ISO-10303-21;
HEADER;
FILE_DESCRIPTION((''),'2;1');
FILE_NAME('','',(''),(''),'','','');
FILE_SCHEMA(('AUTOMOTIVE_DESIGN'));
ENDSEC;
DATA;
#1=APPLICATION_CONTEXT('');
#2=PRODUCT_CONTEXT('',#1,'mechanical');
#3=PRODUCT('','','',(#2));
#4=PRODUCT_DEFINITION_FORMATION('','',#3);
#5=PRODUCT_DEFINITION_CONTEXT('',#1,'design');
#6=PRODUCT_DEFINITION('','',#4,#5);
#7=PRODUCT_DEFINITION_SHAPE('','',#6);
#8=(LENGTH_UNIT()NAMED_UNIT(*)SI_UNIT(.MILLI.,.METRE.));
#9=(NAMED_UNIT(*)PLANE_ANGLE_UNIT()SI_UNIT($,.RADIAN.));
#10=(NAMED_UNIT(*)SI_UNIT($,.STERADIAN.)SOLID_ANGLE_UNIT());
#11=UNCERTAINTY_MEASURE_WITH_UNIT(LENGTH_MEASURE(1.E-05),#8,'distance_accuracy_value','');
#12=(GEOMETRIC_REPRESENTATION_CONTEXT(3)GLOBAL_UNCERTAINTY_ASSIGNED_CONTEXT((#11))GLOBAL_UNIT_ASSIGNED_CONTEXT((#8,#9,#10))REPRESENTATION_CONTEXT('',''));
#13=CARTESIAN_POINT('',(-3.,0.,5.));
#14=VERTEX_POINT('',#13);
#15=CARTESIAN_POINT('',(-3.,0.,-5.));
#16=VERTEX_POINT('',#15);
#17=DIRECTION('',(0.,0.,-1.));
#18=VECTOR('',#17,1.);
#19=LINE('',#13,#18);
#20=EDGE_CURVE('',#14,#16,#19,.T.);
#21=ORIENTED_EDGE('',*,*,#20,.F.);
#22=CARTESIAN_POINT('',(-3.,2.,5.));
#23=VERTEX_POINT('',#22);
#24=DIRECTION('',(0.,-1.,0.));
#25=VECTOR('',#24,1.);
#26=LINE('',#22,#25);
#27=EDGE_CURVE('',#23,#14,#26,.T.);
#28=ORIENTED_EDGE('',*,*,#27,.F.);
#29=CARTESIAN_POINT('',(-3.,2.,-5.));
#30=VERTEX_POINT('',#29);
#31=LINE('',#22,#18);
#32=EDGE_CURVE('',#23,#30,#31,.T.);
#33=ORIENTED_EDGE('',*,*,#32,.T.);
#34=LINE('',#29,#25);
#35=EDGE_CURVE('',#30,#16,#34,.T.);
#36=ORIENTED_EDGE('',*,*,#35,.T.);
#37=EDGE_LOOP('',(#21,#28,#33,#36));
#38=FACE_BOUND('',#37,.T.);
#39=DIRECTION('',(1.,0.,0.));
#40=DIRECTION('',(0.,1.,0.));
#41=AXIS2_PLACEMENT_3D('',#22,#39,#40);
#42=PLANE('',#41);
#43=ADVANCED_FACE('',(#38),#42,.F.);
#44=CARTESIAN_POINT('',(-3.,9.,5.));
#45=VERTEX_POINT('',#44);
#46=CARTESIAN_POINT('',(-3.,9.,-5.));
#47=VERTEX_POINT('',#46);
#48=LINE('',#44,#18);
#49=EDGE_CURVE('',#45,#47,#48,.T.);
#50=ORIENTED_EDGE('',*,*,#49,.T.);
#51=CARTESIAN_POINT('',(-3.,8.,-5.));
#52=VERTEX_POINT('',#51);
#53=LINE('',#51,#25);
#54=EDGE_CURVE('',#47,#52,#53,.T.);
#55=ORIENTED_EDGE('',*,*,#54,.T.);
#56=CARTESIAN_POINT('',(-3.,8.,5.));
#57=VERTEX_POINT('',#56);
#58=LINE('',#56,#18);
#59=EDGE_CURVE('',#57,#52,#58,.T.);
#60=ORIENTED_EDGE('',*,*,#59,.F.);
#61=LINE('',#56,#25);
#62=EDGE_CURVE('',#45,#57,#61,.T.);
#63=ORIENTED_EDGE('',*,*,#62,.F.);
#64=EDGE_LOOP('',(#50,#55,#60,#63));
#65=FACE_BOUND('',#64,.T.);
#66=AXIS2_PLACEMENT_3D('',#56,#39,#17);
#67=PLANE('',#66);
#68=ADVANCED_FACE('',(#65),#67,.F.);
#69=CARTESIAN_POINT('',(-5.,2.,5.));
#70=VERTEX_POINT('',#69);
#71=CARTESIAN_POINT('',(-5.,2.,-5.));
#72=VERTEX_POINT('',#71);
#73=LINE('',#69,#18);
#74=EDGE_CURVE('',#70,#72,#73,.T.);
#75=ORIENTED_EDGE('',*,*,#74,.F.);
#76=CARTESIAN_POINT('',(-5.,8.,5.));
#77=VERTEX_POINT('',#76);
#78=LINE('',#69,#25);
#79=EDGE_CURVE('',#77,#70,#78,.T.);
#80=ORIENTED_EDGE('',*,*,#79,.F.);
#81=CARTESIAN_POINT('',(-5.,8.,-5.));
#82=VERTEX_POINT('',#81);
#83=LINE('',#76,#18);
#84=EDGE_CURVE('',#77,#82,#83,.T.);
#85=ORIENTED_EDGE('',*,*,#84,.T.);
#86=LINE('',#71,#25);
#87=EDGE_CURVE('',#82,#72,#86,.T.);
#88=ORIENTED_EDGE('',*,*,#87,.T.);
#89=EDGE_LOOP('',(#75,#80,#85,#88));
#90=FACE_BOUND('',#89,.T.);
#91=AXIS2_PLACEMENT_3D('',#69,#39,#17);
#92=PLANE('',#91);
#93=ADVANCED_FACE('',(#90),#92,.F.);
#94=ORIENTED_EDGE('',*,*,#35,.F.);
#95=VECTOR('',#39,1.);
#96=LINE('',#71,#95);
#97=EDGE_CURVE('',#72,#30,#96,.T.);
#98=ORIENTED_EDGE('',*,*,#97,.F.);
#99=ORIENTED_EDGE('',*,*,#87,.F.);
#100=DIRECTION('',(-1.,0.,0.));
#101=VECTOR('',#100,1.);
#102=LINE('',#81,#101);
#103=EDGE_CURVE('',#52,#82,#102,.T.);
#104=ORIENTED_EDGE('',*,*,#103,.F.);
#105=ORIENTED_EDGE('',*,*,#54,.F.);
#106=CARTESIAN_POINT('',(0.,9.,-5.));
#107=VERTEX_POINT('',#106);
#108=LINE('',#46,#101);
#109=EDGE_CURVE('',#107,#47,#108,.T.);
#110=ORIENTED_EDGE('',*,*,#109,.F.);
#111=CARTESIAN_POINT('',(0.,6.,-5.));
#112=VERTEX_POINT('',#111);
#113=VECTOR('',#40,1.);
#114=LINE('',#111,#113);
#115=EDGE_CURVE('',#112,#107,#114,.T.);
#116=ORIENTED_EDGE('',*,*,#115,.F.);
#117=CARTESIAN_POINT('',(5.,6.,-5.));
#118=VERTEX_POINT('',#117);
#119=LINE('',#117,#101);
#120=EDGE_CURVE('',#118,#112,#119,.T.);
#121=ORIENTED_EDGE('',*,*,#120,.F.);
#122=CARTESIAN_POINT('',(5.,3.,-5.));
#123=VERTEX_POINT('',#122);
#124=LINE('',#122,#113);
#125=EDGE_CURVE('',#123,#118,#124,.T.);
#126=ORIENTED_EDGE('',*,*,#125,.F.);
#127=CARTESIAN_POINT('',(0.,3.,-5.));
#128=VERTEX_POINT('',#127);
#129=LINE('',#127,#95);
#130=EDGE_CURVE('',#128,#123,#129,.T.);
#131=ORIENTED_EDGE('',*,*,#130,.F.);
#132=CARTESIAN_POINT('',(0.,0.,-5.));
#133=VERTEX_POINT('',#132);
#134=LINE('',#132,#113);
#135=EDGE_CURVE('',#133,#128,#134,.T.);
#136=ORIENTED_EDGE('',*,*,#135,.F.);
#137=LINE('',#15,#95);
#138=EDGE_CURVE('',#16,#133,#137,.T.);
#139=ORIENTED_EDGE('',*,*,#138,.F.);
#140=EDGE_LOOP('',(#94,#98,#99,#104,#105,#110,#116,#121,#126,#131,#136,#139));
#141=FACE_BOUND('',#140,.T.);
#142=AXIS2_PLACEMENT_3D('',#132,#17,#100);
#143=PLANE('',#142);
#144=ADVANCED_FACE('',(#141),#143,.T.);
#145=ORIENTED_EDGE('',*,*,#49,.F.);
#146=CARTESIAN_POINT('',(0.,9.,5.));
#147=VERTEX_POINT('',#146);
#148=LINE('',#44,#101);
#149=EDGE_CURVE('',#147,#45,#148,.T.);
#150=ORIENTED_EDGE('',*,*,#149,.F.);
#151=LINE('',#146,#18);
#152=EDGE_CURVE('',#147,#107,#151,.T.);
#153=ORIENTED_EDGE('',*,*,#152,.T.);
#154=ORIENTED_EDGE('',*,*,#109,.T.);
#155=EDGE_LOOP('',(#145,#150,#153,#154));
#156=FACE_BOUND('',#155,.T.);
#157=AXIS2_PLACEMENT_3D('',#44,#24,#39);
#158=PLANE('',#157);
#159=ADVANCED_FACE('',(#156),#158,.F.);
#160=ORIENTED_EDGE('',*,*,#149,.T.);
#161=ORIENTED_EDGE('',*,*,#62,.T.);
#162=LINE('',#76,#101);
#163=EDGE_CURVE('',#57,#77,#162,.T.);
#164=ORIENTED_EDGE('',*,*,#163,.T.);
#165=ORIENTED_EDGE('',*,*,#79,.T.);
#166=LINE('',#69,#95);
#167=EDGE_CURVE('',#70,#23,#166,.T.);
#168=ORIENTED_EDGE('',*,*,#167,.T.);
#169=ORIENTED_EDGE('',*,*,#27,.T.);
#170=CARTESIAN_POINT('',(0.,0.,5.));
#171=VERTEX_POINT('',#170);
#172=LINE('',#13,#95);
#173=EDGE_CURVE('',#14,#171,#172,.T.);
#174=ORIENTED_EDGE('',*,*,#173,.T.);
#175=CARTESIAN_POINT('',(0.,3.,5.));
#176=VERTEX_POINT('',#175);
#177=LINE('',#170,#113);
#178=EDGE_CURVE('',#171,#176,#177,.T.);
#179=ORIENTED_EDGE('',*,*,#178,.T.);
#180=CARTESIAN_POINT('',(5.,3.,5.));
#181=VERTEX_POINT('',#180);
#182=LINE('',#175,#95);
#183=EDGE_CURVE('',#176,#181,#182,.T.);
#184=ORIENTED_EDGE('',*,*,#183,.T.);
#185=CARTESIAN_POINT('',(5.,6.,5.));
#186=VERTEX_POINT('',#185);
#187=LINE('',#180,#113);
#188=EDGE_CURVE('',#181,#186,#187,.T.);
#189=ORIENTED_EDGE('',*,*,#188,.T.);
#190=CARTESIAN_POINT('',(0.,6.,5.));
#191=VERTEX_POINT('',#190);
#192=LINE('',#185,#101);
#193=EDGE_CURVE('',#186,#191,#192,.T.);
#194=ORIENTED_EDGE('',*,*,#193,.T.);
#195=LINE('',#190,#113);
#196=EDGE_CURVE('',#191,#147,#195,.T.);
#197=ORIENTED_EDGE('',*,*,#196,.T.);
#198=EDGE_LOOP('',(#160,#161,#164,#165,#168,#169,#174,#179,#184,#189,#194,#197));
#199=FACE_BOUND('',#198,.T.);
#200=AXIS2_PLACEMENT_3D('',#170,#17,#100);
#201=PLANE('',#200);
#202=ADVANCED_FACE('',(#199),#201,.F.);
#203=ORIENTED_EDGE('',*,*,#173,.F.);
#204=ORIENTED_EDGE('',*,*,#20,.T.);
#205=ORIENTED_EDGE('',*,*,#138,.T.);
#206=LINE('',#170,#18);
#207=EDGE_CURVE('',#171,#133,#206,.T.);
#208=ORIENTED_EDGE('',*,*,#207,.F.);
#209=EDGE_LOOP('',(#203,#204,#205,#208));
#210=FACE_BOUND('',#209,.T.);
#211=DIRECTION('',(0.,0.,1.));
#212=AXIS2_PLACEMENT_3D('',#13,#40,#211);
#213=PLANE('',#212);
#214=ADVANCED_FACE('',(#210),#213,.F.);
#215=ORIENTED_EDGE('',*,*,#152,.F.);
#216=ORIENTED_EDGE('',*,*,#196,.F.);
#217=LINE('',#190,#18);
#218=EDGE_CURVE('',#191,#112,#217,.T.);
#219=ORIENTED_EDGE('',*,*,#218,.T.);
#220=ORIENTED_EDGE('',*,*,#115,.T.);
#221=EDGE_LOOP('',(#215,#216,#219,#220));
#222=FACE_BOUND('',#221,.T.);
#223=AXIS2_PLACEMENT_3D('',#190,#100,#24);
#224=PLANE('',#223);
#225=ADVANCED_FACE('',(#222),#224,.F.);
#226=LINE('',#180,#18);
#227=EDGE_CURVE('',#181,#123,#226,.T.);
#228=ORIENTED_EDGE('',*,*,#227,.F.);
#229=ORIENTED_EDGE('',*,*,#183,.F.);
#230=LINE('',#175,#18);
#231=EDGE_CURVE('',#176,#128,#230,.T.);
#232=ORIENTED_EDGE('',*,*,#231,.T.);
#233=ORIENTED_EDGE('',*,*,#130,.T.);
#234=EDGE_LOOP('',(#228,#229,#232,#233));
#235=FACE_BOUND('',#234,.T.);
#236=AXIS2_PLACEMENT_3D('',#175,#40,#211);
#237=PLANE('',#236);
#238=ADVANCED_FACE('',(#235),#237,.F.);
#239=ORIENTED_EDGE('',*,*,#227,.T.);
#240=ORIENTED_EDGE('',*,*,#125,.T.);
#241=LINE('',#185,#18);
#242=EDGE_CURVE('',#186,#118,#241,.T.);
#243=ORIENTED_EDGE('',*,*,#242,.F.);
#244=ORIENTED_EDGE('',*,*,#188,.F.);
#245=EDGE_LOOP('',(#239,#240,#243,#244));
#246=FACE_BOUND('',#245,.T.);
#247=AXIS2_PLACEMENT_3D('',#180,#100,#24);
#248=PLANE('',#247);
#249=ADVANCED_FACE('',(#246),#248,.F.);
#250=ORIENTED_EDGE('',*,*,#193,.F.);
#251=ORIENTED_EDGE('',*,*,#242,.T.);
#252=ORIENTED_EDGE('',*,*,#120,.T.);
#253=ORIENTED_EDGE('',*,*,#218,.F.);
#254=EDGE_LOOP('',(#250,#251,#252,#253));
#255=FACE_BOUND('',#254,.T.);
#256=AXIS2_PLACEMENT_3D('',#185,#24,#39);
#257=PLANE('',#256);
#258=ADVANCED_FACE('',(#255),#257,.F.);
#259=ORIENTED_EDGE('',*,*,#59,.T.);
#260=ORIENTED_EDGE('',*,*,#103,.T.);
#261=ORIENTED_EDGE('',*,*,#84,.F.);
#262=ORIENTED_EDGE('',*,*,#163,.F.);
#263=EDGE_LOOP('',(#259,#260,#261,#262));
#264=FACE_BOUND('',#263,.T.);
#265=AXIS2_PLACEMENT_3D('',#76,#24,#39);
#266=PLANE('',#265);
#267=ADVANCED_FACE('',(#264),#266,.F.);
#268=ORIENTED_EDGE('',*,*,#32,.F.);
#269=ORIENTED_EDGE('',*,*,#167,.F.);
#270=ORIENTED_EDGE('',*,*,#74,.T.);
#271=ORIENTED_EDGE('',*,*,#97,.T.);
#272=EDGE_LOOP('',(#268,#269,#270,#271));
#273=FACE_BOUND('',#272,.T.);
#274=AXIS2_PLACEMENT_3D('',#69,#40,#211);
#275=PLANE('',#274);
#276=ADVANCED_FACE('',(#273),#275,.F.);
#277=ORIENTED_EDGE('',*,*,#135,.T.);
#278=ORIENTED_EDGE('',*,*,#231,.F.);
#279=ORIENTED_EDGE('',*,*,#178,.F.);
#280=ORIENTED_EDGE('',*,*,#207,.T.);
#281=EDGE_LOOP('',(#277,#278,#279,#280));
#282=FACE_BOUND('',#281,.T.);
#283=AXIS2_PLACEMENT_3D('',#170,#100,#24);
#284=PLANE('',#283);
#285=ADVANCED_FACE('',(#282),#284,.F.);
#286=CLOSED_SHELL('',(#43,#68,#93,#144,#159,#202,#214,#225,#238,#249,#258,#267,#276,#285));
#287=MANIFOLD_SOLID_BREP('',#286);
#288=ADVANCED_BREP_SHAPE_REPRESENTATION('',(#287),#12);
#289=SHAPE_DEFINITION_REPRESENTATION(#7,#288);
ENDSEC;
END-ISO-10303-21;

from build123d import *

# Parameters (mm, degrees)
BOSS_EXTRUDE1_DEPTH = 5


with BuildPart() as part:
    # Sketch1 → Boss-Extrude1 (new, symmetric)
    with BuildSketch(Plane.XY):
        Polygon((-5, 2), (-5, 8), (-3, 8), (-3, 9), (0, 9), (0, 6), (5, 6), (5, 3), (0, 3), (0, 0), (-3, 0), (-3, 2), align=None)
    extrude(amount=BOSS_EXTRUDE1_DEPTH, both=True)


solid = part.part
